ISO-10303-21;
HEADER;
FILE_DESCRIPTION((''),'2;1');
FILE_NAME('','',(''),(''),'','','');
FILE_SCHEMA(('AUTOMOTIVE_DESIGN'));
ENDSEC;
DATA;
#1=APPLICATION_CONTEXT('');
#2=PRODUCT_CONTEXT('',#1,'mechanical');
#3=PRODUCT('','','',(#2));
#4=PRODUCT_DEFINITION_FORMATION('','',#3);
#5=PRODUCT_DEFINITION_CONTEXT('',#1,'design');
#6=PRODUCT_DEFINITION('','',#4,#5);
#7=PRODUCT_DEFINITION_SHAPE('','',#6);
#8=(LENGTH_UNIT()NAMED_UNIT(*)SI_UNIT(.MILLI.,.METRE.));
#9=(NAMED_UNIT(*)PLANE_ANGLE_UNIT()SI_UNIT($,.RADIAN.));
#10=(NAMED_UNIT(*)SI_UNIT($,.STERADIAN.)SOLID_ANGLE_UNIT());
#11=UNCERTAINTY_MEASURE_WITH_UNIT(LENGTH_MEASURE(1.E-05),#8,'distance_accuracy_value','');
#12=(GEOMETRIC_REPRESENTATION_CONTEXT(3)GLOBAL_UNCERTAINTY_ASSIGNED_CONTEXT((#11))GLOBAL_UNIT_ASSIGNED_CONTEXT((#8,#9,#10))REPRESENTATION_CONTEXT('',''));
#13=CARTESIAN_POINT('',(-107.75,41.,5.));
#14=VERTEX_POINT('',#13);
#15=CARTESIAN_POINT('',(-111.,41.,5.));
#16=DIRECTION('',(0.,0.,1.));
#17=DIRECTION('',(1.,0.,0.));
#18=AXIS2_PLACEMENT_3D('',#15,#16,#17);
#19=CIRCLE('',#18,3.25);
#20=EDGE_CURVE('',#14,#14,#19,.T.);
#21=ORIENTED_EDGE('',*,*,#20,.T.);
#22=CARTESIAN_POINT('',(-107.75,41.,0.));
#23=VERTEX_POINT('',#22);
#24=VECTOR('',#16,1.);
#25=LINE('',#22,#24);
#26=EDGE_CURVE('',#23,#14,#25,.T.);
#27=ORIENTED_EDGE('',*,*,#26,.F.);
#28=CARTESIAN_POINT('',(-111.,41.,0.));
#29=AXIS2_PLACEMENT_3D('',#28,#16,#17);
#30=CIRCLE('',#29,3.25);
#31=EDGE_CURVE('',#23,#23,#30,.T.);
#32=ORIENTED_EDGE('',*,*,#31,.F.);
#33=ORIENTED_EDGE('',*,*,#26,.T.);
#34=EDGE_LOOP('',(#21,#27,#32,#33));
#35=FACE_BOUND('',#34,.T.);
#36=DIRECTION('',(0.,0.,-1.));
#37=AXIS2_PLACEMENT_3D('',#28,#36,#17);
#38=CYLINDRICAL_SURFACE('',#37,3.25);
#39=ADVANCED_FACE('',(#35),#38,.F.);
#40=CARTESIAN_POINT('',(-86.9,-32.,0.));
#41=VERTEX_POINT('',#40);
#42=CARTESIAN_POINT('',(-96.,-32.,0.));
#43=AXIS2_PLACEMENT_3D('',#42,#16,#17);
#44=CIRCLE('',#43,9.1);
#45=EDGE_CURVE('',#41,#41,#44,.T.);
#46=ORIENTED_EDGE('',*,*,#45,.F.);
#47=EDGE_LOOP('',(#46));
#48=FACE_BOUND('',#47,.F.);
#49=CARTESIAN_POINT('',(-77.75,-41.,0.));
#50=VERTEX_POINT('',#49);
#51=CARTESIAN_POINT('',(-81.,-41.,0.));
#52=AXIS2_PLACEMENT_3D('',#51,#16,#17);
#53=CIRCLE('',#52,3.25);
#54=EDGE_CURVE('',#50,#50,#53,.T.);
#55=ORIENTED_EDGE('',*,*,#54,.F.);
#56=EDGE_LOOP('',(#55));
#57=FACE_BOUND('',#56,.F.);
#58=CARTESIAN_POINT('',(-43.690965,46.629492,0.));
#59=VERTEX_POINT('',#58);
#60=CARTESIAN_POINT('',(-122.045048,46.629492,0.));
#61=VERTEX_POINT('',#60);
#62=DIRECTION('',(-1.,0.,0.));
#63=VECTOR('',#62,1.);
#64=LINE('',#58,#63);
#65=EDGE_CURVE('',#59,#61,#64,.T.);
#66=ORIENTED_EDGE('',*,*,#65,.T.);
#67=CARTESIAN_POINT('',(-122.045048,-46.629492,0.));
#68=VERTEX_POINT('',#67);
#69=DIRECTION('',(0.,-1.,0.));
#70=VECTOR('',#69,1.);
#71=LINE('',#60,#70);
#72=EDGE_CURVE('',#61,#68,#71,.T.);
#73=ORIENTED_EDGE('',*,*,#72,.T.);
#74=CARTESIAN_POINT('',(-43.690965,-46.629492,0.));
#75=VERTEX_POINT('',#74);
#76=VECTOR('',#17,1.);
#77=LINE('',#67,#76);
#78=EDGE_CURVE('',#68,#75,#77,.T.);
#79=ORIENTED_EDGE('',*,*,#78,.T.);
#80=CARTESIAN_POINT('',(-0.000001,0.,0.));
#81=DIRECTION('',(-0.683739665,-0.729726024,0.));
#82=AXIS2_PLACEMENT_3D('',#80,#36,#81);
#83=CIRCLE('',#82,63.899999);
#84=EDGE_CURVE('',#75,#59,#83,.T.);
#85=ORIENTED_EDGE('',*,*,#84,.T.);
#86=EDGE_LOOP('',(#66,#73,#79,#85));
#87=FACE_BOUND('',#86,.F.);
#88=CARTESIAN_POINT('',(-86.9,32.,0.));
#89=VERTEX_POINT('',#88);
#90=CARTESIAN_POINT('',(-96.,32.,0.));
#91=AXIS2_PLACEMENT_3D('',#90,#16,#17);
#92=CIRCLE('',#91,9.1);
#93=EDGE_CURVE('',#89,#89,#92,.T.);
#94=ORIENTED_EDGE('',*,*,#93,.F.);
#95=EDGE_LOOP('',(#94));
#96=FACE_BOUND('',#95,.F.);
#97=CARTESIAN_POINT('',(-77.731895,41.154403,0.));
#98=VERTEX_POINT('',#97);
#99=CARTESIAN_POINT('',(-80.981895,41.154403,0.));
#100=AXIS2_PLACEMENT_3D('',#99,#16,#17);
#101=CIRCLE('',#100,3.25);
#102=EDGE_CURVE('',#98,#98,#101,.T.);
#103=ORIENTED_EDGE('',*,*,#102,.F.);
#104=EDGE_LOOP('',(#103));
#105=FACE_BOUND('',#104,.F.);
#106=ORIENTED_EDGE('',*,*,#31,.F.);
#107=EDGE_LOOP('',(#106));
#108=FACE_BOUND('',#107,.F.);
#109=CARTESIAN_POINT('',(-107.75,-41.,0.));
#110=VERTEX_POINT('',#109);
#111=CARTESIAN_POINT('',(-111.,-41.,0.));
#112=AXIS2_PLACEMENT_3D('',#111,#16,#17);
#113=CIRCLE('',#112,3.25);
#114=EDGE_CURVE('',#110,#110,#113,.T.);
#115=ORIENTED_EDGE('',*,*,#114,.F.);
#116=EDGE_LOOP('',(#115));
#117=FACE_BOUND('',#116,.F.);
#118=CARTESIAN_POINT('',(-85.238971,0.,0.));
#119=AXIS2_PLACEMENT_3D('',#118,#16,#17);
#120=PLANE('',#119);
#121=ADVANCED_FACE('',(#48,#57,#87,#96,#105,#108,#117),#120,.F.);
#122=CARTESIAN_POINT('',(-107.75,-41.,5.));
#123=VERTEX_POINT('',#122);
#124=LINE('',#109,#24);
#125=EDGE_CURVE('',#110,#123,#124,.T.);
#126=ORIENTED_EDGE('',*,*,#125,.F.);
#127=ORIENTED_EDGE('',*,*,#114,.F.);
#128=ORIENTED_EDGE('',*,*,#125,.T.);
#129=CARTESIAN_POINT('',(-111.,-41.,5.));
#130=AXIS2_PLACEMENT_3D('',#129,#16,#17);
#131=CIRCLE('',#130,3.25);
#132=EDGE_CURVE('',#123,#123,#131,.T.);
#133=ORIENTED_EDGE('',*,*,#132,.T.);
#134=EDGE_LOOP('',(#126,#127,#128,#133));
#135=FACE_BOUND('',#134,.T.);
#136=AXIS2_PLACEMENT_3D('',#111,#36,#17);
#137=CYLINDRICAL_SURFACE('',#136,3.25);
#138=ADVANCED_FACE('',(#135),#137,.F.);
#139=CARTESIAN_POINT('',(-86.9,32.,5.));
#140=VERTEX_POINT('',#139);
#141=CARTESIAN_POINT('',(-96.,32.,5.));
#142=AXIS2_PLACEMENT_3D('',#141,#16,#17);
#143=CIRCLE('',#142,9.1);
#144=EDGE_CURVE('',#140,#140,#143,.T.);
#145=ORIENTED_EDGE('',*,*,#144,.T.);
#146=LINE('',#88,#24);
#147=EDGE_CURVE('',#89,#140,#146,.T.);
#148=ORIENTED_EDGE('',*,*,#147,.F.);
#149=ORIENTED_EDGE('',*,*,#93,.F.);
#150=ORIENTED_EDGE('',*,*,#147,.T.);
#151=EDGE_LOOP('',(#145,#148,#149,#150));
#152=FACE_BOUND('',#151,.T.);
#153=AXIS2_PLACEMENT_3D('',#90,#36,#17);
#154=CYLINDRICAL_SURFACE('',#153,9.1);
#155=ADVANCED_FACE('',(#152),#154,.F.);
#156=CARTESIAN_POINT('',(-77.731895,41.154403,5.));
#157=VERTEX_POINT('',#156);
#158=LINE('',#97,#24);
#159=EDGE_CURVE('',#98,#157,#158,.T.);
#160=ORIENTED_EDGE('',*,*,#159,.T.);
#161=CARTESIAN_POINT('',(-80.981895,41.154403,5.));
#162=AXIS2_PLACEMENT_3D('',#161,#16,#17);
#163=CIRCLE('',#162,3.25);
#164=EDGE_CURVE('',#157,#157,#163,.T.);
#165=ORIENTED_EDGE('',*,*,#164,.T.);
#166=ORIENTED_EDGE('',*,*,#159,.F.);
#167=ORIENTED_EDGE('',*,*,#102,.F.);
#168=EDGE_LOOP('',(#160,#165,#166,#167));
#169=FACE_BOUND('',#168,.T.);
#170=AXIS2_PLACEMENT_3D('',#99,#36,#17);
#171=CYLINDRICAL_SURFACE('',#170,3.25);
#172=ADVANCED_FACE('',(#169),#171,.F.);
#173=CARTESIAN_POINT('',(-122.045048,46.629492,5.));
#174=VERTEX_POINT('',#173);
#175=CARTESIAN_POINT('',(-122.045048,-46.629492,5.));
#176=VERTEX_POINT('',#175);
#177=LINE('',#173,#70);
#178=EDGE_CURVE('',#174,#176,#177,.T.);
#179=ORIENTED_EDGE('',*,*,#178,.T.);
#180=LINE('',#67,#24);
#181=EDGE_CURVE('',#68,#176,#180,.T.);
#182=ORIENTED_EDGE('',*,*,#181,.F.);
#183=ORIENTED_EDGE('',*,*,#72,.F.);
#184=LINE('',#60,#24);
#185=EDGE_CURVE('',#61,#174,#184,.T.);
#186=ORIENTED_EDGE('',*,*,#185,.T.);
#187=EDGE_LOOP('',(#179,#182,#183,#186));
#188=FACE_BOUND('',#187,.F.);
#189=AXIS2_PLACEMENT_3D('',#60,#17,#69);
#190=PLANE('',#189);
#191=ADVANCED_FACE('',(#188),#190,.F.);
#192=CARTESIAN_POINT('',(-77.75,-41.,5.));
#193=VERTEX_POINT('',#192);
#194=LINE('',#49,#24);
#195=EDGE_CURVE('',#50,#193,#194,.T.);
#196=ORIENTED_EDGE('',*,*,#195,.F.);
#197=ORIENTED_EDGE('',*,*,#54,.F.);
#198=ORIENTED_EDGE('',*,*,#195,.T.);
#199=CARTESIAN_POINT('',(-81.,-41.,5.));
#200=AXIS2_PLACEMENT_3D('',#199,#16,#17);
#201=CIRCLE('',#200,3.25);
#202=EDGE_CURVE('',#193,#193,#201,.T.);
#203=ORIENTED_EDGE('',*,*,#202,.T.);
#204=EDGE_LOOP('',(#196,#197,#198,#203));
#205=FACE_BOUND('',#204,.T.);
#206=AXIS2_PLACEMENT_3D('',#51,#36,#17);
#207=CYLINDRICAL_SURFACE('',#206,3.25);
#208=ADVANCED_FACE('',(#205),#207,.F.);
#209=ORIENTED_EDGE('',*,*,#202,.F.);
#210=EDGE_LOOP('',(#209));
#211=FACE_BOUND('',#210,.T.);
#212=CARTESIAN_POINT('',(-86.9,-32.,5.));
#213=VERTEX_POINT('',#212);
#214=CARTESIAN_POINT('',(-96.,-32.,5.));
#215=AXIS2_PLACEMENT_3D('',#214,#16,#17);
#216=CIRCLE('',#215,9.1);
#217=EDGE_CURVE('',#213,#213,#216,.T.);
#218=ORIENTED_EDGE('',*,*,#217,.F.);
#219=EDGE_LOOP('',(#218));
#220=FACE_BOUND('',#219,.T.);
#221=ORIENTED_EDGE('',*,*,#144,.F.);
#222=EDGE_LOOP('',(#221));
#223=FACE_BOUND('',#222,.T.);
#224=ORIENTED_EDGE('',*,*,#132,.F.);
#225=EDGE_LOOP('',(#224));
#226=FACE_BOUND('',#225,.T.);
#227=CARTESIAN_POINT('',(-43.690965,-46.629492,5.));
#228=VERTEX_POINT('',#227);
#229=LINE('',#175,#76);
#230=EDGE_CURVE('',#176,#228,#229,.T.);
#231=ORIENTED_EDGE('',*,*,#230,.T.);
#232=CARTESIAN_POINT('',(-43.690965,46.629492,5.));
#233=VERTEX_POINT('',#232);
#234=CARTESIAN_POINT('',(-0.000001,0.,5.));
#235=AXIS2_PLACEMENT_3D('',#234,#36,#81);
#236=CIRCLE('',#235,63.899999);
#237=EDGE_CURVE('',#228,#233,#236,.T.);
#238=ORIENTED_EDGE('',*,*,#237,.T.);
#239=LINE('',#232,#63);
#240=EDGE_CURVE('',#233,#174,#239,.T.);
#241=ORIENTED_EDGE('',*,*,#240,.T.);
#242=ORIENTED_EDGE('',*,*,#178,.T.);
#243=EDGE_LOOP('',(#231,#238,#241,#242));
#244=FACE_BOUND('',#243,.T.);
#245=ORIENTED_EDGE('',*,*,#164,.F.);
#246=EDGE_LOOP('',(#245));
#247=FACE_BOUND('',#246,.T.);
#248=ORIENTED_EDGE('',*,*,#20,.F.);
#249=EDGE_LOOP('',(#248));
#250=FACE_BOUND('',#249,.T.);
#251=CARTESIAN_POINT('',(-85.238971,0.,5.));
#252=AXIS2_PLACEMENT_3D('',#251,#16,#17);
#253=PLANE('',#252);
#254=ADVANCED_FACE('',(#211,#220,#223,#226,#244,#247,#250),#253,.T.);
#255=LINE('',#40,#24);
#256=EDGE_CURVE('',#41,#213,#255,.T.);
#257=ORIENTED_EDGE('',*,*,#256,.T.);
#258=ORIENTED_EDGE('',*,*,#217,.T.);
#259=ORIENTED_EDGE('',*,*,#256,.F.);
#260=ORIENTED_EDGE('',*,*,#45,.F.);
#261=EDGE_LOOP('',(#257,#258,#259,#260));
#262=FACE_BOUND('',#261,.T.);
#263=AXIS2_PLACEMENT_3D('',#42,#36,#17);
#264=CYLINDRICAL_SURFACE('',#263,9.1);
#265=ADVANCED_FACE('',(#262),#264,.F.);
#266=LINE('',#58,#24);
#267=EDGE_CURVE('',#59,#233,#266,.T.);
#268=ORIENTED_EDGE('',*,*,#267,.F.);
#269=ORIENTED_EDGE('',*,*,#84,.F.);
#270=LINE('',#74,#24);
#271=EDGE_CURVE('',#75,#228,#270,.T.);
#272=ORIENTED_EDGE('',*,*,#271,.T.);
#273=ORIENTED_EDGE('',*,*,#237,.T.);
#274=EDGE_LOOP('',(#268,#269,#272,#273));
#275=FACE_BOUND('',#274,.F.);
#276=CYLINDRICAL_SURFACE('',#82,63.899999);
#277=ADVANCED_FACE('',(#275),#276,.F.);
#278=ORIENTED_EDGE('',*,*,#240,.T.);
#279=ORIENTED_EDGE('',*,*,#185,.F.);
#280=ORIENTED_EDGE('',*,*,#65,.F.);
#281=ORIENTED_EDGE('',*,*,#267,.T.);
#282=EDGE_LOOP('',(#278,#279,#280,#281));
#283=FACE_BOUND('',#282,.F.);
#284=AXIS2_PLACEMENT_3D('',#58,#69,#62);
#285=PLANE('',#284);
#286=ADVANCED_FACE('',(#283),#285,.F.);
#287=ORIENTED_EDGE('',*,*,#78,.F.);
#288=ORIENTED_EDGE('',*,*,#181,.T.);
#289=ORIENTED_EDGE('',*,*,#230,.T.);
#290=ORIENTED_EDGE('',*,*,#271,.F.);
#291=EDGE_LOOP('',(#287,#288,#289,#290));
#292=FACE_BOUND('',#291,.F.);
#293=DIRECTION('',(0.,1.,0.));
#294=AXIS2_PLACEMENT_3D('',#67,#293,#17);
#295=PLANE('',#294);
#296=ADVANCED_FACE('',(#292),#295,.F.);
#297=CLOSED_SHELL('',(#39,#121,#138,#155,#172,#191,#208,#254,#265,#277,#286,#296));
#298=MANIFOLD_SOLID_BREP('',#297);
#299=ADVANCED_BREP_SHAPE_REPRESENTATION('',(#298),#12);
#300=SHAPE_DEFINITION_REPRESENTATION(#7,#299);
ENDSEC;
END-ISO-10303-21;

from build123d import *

# Parameters (mm, degrees)
F1_R     = 3.25
F1_R_2   = 9.1
F2_DEPTH = 5


with BuildPart() as f2:
    # F1 (on Top) → F2 (new body)
    with BuildSketch(Plane.XY):
        with BuildLine():
            ThreePointArc((-43.690965, -46.629492), (-63.9, 0), (-43.690965, 46.629492))
            Line((-43.690965, 46.629492), (-122.045048, 46.629492))
            Line((-122.045048, 46.629492), (-122.045048, -46.629492))
            Line((-122.045048, -46.629492), (-43.690965, -46.629492))
        make_face()
        with Locations((-111, -41)):
            Circle(F1_R, mode=Mode.SUBTRACT)
        with Locations((-81, -41)):
            Circle(F1_R, mode=Mode.SUBTRACT)
        with Locations((-96, -32)):
            Circle(F1_R_2, mode=Mode.SUBTRACT)
        with Locations((-111, 41)):
            Circle(F1_R, mode=Mode.SUBTRACT)
        with Locations((-96, 32)):
            Circle(F1_R_2, mode=Mode.SUBTRACT)
        with Locations((-80.981895, 41.154403)):
            Circle(F1_R, mode=Mode.SUBTRACT)
    extrude(amount=F2_DEPTH)


solid = f2.part
